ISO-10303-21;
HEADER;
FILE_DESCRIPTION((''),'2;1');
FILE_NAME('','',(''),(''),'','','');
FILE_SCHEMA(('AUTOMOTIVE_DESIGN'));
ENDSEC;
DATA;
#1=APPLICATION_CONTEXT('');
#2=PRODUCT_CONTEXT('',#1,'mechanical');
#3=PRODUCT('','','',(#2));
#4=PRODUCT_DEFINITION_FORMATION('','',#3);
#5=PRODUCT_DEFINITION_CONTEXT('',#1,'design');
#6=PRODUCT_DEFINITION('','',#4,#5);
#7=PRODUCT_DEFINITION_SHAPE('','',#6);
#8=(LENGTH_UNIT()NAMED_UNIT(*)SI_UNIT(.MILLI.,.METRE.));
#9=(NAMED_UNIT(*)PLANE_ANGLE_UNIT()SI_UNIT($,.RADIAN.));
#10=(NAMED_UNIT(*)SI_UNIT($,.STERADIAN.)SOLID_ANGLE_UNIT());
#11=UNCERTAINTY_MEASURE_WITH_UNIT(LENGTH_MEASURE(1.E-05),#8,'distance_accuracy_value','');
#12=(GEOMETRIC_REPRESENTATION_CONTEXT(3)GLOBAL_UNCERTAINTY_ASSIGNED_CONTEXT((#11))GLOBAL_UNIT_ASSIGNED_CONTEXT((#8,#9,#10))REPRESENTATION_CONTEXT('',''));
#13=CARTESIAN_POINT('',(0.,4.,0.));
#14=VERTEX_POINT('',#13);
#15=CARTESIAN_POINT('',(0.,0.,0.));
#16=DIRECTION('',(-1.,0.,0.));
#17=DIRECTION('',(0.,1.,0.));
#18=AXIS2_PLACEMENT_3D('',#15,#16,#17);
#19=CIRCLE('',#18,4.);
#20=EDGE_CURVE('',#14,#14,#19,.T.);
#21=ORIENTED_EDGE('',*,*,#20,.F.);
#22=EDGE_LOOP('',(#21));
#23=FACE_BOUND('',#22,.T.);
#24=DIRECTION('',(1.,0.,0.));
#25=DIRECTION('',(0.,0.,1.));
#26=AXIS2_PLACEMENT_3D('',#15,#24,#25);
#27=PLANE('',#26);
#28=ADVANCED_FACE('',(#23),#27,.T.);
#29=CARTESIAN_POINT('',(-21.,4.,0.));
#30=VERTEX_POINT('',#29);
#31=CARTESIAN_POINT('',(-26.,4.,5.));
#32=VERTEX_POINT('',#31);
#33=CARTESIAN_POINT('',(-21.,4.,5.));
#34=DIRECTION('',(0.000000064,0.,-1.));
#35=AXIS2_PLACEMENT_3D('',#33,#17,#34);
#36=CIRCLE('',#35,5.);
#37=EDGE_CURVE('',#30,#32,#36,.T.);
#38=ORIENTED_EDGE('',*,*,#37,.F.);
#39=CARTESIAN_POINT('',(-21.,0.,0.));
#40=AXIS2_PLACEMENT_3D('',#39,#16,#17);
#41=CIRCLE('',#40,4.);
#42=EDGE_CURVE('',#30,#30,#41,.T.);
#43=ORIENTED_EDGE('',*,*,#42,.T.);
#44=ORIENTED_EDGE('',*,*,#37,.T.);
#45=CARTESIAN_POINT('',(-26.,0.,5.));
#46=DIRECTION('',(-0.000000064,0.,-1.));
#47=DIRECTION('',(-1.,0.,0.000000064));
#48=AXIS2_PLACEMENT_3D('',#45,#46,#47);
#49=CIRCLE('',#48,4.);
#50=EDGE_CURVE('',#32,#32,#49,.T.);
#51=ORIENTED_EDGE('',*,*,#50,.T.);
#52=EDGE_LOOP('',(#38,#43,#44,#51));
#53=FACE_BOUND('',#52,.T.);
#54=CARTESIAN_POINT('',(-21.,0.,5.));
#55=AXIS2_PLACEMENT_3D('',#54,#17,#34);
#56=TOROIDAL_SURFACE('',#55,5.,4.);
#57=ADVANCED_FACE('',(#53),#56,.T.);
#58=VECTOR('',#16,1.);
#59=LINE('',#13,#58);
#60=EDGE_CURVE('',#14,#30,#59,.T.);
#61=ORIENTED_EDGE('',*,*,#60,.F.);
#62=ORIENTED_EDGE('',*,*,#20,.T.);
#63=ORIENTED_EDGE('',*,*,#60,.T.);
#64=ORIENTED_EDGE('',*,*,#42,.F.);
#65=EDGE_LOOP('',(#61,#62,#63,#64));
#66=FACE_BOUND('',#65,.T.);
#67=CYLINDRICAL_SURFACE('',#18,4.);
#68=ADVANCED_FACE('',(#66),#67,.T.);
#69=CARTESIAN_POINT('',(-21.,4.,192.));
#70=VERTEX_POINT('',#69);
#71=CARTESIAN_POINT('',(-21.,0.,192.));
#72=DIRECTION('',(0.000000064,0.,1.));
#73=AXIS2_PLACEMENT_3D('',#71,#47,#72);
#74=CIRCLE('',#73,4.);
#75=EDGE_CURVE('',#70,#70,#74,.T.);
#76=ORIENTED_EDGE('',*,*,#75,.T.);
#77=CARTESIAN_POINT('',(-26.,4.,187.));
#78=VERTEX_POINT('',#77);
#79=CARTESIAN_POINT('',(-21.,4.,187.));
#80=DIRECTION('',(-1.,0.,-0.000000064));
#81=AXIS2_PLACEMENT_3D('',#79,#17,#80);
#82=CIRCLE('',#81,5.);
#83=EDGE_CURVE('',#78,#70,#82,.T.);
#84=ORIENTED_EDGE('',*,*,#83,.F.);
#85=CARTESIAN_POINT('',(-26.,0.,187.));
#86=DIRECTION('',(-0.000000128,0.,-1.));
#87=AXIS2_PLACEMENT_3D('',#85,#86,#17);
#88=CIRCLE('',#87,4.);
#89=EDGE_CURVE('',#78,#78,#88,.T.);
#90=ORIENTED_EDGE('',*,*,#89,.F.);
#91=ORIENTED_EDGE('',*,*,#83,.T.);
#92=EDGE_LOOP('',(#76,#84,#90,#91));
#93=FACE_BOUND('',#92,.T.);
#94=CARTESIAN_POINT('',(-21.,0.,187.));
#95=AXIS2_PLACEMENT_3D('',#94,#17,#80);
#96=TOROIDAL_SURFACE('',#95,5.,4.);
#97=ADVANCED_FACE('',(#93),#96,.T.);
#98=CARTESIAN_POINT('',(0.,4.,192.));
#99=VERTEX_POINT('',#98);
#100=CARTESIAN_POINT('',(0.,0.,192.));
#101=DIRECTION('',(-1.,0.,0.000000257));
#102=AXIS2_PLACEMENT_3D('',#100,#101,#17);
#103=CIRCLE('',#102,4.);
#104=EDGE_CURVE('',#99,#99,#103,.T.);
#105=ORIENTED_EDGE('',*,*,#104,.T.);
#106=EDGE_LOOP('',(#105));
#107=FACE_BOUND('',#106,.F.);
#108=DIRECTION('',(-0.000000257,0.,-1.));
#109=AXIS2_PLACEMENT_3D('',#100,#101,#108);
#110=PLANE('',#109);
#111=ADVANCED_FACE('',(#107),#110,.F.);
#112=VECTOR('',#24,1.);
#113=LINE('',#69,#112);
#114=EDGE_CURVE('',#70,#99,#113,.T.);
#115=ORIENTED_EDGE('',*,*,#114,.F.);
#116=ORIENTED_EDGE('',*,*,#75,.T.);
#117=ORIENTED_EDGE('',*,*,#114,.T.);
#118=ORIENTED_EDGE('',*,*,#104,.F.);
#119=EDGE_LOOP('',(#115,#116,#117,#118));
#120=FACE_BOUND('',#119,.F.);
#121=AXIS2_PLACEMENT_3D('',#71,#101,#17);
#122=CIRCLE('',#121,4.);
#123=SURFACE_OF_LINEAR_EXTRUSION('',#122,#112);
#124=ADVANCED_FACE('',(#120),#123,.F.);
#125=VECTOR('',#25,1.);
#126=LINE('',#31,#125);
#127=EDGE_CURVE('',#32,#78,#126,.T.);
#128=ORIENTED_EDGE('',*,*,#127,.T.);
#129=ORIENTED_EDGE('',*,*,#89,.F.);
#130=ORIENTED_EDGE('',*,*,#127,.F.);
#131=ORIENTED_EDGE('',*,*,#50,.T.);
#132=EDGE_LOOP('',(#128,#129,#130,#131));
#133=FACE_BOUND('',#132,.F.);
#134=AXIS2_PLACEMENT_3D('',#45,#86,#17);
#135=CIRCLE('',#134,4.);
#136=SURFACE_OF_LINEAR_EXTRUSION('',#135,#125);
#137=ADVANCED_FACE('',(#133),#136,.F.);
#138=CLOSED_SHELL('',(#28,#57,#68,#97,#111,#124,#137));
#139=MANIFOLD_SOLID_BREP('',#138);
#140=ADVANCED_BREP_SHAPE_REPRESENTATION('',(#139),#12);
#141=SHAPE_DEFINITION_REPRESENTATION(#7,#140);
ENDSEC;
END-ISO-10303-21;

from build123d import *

# Parameters (mm, degrees)
F1_R = 4


with BuildPart() as f2:
    # F2: sweep along a path in F0
    with BuildLine(Plane.XZ) as f2_path:
        Line((0, 0), (-21, 0))
        ThreePointArc((-21, 0), (-24.535534, 1.464466), (-26, 5))
        Line((-26, 5), (-26, 187))
        ThreePointArc((-26, 187), (-24.535534, 190.535534), (-21, 192))
        Line((-21, 192), (0, 192))
    # F1 (on Right) → F2 (sweep)
    with BuildSketch(Plane.YZ):
        Circle(F1_R)
    sweep(path=f2_path.line)


solid = f2.part
